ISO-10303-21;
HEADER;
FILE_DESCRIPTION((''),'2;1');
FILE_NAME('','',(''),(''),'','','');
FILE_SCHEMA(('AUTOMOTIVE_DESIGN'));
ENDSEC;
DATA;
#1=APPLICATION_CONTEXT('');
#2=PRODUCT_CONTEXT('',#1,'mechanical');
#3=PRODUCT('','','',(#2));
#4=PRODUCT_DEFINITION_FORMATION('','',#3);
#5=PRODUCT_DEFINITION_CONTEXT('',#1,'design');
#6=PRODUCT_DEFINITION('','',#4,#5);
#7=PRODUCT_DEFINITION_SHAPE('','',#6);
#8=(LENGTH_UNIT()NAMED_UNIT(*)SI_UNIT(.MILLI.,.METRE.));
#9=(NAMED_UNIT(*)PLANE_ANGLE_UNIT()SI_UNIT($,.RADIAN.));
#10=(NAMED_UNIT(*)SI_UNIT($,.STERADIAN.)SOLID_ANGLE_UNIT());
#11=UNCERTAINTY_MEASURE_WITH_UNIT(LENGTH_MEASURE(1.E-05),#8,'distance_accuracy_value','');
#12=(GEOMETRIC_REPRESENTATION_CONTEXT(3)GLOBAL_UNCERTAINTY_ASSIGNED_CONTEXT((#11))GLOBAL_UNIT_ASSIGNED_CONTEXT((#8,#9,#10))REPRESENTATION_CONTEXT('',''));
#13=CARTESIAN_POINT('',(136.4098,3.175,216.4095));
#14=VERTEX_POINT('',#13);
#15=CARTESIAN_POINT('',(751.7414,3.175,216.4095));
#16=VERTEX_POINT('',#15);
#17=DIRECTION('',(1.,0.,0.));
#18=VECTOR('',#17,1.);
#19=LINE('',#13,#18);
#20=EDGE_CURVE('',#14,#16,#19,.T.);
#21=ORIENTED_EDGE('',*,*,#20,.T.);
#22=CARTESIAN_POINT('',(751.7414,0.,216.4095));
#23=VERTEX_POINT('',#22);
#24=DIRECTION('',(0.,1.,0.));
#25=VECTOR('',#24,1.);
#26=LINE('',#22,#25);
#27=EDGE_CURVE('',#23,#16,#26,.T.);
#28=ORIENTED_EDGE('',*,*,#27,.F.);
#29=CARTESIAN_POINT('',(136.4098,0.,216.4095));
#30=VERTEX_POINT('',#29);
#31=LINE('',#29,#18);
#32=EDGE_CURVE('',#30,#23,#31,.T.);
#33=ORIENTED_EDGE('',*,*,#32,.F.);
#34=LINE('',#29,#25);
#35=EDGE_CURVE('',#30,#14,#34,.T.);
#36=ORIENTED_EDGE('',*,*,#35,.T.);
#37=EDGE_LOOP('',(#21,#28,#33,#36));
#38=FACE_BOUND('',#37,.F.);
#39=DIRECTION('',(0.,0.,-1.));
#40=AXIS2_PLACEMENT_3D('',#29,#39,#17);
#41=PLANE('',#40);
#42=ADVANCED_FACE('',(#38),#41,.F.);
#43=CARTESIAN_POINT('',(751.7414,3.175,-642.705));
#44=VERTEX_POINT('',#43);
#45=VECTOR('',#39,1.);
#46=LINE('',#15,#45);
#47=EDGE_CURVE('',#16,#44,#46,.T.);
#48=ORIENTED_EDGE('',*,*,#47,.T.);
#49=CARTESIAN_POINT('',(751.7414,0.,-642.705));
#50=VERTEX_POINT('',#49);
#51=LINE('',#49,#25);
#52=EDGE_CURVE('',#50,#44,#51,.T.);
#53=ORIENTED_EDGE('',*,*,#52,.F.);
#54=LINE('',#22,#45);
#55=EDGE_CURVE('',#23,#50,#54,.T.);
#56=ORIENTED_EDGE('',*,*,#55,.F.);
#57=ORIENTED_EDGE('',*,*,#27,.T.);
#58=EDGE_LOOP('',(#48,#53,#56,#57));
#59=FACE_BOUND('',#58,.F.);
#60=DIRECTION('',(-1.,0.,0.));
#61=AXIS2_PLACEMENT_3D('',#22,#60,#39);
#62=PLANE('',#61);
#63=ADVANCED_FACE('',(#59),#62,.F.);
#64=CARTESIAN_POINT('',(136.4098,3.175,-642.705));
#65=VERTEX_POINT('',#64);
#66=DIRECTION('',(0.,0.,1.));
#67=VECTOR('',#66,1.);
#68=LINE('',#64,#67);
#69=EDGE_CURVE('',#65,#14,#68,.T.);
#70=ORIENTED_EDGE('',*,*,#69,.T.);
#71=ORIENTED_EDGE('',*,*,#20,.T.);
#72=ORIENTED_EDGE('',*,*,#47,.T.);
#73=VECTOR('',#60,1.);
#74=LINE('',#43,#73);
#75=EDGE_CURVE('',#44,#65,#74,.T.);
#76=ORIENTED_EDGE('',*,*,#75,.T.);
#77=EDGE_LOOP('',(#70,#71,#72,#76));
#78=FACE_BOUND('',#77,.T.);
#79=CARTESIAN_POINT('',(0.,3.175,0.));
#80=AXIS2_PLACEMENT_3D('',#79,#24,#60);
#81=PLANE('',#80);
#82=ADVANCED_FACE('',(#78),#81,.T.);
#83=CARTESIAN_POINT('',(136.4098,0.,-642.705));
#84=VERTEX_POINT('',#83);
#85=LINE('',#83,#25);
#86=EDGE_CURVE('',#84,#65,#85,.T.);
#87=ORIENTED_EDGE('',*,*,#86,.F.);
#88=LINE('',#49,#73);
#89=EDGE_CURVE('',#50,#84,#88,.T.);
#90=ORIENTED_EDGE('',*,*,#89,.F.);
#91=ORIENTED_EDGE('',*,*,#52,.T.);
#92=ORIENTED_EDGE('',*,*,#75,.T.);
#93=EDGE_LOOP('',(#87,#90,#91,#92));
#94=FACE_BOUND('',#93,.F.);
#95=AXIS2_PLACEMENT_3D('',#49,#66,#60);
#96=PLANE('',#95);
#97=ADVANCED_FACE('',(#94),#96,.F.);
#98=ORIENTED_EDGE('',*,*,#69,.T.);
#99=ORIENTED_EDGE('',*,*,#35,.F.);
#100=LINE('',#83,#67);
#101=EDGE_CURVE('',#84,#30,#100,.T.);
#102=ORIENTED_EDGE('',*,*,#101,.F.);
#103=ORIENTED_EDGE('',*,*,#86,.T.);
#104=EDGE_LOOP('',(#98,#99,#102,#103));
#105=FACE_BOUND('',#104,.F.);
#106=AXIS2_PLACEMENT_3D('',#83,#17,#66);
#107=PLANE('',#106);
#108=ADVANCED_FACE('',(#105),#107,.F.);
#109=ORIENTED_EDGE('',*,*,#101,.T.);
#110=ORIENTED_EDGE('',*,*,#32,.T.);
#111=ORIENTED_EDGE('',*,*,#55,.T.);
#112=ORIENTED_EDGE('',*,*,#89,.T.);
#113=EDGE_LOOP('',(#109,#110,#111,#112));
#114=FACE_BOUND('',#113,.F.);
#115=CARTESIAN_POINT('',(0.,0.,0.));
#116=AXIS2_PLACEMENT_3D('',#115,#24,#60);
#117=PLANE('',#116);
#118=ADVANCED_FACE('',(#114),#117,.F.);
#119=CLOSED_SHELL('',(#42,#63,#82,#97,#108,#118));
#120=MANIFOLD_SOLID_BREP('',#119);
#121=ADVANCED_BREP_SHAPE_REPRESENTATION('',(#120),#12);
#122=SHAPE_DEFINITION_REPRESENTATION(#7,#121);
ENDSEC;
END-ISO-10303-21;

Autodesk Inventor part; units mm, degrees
ref_plane "YZ Plane" through (0, 0, 0) normal (1, 0, 0) x (0, 1, 0)
ref_plane "XZ Plane" through (0, 0, 0) normal (0, 1, 0) x (-1, 0, 0)
ref_plane "XY Plane" through (0, 0, 0) normal (0, 0, 1) x (1, 0, 0)
sketch "Sketch1" plane through (0, 0, 0) normal (0, 1, 0) x (-1, 0, 0)
  line L0 (-136.4098, 216.4095) -> (-751.7414, 216.4095)
  line L1 (-751.7414, 216.4095) -> (-751.7414, -642.705)
  line L2 (-751.7414, -642.705) -> (-136.4098, -642.705)
  line L3 (-136.4098, -642.705) -> (-136.4098, 216.4095)
  point P0 (0, 0)
extrude "Extrusion1" add sketch "Sketch1" along normal blind 3.175
properties part number "floor"
